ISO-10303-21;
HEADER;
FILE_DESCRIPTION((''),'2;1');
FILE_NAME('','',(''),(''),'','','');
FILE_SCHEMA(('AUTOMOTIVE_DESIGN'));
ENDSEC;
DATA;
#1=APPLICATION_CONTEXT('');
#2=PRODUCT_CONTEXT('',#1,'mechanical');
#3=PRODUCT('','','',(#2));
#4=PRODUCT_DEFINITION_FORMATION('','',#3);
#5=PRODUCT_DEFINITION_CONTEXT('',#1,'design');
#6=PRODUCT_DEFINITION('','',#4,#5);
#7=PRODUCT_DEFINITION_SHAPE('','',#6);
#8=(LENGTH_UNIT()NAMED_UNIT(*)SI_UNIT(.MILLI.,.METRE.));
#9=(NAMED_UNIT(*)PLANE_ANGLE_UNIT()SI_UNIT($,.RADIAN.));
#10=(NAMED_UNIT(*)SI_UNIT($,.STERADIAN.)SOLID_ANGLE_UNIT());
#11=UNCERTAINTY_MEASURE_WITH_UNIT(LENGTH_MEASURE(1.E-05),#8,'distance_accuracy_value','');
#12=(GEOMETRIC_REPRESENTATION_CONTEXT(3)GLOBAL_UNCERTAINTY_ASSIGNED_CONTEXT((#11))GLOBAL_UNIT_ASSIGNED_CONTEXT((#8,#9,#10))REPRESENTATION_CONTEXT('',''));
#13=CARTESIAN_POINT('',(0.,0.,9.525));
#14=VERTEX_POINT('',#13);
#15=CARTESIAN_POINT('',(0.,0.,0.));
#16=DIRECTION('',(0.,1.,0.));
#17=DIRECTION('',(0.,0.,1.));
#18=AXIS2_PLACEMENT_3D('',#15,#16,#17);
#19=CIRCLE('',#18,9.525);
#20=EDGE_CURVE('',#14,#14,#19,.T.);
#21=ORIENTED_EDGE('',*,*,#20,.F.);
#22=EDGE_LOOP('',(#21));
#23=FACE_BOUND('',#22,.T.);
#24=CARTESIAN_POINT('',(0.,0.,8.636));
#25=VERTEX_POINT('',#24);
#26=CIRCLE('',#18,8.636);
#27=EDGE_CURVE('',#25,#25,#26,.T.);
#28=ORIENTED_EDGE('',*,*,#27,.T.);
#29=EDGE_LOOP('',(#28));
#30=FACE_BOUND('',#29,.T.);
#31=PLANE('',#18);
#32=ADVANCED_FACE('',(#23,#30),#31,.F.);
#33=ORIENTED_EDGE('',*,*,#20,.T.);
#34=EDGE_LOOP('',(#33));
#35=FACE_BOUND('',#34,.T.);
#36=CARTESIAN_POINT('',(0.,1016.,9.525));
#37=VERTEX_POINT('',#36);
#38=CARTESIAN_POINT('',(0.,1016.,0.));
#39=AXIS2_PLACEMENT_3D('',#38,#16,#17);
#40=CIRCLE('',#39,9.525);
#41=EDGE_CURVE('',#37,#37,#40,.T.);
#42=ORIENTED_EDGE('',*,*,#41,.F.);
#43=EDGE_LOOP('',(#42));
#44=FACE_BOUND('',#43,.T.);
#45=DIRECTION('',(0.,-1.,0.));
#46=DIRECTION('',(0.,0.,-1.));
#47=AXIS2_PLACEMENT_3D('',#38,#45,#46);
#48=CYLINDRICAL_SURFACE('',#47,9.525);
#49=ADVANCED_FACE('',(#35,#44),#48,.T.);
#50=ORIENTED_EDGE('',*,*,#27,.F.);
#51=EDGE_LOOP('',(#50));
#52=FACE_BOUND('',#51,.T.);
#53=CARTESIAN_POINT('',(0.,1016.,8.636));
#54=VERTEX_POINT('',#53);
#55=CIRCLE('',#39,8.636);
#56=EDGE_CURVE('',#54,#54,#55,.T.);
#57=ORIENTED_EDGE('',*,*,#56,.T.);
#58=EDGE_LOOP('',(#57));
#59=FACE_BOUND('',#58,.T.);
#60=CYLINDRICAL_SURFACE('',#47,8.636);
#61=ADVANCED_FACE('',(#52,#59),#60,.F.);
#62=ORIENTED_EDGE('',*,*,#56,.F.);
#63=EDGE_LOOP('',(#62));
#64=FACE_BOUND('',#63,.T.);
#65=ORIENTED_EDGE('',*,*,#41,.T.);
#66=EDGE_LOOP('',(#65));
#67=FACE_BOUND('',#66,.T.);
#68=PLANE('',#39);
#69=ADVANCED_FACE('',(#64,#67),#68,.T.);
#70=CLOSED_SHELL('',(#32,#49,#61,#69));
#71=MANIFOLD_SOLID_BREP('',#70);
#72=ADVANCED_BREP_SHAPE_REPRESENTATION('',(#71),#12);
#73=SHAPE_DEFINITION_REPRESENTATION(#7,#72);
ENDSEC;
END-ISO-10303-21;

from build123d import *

# Parameters (mm, degrees)
SKETCH1_R          = 9.525
EXTRUDE1_DEPTH     = 1016
SKETCH2_R          = 8.636
CUT_EXTRUDE1_DEPTH = 1016


with BuildPart() as part:
    # Sketch1 → Extrude1 (new body)
    with BuildSketch(Plane(origin=(0, 0, 0), x_dir=(1, 0, 0), z_dir=(0, 1, 0))):
        with Locations(Location((0, 0, 0), (0, 0, 270))):
            Circle(SKETCH1_R)
    extrude(amount=EXTRUDE1_DEPTH)

    # Sketch2 → Cut-Extrude1 (cut)
    with BuildSketch(Plane(origin=(0, 0, 0), x_dir=(1, 0, 0), z_dir=(0, 1, 0))):
        with Locations(Location((0, 0, 0), (0, 0, 270))):
            Circle(SKETCH2_R)
    extrude(amount=CUT_EXTRUDE1_DEPTH, mode=Mode.SUBTRACT)


solid = part.part
